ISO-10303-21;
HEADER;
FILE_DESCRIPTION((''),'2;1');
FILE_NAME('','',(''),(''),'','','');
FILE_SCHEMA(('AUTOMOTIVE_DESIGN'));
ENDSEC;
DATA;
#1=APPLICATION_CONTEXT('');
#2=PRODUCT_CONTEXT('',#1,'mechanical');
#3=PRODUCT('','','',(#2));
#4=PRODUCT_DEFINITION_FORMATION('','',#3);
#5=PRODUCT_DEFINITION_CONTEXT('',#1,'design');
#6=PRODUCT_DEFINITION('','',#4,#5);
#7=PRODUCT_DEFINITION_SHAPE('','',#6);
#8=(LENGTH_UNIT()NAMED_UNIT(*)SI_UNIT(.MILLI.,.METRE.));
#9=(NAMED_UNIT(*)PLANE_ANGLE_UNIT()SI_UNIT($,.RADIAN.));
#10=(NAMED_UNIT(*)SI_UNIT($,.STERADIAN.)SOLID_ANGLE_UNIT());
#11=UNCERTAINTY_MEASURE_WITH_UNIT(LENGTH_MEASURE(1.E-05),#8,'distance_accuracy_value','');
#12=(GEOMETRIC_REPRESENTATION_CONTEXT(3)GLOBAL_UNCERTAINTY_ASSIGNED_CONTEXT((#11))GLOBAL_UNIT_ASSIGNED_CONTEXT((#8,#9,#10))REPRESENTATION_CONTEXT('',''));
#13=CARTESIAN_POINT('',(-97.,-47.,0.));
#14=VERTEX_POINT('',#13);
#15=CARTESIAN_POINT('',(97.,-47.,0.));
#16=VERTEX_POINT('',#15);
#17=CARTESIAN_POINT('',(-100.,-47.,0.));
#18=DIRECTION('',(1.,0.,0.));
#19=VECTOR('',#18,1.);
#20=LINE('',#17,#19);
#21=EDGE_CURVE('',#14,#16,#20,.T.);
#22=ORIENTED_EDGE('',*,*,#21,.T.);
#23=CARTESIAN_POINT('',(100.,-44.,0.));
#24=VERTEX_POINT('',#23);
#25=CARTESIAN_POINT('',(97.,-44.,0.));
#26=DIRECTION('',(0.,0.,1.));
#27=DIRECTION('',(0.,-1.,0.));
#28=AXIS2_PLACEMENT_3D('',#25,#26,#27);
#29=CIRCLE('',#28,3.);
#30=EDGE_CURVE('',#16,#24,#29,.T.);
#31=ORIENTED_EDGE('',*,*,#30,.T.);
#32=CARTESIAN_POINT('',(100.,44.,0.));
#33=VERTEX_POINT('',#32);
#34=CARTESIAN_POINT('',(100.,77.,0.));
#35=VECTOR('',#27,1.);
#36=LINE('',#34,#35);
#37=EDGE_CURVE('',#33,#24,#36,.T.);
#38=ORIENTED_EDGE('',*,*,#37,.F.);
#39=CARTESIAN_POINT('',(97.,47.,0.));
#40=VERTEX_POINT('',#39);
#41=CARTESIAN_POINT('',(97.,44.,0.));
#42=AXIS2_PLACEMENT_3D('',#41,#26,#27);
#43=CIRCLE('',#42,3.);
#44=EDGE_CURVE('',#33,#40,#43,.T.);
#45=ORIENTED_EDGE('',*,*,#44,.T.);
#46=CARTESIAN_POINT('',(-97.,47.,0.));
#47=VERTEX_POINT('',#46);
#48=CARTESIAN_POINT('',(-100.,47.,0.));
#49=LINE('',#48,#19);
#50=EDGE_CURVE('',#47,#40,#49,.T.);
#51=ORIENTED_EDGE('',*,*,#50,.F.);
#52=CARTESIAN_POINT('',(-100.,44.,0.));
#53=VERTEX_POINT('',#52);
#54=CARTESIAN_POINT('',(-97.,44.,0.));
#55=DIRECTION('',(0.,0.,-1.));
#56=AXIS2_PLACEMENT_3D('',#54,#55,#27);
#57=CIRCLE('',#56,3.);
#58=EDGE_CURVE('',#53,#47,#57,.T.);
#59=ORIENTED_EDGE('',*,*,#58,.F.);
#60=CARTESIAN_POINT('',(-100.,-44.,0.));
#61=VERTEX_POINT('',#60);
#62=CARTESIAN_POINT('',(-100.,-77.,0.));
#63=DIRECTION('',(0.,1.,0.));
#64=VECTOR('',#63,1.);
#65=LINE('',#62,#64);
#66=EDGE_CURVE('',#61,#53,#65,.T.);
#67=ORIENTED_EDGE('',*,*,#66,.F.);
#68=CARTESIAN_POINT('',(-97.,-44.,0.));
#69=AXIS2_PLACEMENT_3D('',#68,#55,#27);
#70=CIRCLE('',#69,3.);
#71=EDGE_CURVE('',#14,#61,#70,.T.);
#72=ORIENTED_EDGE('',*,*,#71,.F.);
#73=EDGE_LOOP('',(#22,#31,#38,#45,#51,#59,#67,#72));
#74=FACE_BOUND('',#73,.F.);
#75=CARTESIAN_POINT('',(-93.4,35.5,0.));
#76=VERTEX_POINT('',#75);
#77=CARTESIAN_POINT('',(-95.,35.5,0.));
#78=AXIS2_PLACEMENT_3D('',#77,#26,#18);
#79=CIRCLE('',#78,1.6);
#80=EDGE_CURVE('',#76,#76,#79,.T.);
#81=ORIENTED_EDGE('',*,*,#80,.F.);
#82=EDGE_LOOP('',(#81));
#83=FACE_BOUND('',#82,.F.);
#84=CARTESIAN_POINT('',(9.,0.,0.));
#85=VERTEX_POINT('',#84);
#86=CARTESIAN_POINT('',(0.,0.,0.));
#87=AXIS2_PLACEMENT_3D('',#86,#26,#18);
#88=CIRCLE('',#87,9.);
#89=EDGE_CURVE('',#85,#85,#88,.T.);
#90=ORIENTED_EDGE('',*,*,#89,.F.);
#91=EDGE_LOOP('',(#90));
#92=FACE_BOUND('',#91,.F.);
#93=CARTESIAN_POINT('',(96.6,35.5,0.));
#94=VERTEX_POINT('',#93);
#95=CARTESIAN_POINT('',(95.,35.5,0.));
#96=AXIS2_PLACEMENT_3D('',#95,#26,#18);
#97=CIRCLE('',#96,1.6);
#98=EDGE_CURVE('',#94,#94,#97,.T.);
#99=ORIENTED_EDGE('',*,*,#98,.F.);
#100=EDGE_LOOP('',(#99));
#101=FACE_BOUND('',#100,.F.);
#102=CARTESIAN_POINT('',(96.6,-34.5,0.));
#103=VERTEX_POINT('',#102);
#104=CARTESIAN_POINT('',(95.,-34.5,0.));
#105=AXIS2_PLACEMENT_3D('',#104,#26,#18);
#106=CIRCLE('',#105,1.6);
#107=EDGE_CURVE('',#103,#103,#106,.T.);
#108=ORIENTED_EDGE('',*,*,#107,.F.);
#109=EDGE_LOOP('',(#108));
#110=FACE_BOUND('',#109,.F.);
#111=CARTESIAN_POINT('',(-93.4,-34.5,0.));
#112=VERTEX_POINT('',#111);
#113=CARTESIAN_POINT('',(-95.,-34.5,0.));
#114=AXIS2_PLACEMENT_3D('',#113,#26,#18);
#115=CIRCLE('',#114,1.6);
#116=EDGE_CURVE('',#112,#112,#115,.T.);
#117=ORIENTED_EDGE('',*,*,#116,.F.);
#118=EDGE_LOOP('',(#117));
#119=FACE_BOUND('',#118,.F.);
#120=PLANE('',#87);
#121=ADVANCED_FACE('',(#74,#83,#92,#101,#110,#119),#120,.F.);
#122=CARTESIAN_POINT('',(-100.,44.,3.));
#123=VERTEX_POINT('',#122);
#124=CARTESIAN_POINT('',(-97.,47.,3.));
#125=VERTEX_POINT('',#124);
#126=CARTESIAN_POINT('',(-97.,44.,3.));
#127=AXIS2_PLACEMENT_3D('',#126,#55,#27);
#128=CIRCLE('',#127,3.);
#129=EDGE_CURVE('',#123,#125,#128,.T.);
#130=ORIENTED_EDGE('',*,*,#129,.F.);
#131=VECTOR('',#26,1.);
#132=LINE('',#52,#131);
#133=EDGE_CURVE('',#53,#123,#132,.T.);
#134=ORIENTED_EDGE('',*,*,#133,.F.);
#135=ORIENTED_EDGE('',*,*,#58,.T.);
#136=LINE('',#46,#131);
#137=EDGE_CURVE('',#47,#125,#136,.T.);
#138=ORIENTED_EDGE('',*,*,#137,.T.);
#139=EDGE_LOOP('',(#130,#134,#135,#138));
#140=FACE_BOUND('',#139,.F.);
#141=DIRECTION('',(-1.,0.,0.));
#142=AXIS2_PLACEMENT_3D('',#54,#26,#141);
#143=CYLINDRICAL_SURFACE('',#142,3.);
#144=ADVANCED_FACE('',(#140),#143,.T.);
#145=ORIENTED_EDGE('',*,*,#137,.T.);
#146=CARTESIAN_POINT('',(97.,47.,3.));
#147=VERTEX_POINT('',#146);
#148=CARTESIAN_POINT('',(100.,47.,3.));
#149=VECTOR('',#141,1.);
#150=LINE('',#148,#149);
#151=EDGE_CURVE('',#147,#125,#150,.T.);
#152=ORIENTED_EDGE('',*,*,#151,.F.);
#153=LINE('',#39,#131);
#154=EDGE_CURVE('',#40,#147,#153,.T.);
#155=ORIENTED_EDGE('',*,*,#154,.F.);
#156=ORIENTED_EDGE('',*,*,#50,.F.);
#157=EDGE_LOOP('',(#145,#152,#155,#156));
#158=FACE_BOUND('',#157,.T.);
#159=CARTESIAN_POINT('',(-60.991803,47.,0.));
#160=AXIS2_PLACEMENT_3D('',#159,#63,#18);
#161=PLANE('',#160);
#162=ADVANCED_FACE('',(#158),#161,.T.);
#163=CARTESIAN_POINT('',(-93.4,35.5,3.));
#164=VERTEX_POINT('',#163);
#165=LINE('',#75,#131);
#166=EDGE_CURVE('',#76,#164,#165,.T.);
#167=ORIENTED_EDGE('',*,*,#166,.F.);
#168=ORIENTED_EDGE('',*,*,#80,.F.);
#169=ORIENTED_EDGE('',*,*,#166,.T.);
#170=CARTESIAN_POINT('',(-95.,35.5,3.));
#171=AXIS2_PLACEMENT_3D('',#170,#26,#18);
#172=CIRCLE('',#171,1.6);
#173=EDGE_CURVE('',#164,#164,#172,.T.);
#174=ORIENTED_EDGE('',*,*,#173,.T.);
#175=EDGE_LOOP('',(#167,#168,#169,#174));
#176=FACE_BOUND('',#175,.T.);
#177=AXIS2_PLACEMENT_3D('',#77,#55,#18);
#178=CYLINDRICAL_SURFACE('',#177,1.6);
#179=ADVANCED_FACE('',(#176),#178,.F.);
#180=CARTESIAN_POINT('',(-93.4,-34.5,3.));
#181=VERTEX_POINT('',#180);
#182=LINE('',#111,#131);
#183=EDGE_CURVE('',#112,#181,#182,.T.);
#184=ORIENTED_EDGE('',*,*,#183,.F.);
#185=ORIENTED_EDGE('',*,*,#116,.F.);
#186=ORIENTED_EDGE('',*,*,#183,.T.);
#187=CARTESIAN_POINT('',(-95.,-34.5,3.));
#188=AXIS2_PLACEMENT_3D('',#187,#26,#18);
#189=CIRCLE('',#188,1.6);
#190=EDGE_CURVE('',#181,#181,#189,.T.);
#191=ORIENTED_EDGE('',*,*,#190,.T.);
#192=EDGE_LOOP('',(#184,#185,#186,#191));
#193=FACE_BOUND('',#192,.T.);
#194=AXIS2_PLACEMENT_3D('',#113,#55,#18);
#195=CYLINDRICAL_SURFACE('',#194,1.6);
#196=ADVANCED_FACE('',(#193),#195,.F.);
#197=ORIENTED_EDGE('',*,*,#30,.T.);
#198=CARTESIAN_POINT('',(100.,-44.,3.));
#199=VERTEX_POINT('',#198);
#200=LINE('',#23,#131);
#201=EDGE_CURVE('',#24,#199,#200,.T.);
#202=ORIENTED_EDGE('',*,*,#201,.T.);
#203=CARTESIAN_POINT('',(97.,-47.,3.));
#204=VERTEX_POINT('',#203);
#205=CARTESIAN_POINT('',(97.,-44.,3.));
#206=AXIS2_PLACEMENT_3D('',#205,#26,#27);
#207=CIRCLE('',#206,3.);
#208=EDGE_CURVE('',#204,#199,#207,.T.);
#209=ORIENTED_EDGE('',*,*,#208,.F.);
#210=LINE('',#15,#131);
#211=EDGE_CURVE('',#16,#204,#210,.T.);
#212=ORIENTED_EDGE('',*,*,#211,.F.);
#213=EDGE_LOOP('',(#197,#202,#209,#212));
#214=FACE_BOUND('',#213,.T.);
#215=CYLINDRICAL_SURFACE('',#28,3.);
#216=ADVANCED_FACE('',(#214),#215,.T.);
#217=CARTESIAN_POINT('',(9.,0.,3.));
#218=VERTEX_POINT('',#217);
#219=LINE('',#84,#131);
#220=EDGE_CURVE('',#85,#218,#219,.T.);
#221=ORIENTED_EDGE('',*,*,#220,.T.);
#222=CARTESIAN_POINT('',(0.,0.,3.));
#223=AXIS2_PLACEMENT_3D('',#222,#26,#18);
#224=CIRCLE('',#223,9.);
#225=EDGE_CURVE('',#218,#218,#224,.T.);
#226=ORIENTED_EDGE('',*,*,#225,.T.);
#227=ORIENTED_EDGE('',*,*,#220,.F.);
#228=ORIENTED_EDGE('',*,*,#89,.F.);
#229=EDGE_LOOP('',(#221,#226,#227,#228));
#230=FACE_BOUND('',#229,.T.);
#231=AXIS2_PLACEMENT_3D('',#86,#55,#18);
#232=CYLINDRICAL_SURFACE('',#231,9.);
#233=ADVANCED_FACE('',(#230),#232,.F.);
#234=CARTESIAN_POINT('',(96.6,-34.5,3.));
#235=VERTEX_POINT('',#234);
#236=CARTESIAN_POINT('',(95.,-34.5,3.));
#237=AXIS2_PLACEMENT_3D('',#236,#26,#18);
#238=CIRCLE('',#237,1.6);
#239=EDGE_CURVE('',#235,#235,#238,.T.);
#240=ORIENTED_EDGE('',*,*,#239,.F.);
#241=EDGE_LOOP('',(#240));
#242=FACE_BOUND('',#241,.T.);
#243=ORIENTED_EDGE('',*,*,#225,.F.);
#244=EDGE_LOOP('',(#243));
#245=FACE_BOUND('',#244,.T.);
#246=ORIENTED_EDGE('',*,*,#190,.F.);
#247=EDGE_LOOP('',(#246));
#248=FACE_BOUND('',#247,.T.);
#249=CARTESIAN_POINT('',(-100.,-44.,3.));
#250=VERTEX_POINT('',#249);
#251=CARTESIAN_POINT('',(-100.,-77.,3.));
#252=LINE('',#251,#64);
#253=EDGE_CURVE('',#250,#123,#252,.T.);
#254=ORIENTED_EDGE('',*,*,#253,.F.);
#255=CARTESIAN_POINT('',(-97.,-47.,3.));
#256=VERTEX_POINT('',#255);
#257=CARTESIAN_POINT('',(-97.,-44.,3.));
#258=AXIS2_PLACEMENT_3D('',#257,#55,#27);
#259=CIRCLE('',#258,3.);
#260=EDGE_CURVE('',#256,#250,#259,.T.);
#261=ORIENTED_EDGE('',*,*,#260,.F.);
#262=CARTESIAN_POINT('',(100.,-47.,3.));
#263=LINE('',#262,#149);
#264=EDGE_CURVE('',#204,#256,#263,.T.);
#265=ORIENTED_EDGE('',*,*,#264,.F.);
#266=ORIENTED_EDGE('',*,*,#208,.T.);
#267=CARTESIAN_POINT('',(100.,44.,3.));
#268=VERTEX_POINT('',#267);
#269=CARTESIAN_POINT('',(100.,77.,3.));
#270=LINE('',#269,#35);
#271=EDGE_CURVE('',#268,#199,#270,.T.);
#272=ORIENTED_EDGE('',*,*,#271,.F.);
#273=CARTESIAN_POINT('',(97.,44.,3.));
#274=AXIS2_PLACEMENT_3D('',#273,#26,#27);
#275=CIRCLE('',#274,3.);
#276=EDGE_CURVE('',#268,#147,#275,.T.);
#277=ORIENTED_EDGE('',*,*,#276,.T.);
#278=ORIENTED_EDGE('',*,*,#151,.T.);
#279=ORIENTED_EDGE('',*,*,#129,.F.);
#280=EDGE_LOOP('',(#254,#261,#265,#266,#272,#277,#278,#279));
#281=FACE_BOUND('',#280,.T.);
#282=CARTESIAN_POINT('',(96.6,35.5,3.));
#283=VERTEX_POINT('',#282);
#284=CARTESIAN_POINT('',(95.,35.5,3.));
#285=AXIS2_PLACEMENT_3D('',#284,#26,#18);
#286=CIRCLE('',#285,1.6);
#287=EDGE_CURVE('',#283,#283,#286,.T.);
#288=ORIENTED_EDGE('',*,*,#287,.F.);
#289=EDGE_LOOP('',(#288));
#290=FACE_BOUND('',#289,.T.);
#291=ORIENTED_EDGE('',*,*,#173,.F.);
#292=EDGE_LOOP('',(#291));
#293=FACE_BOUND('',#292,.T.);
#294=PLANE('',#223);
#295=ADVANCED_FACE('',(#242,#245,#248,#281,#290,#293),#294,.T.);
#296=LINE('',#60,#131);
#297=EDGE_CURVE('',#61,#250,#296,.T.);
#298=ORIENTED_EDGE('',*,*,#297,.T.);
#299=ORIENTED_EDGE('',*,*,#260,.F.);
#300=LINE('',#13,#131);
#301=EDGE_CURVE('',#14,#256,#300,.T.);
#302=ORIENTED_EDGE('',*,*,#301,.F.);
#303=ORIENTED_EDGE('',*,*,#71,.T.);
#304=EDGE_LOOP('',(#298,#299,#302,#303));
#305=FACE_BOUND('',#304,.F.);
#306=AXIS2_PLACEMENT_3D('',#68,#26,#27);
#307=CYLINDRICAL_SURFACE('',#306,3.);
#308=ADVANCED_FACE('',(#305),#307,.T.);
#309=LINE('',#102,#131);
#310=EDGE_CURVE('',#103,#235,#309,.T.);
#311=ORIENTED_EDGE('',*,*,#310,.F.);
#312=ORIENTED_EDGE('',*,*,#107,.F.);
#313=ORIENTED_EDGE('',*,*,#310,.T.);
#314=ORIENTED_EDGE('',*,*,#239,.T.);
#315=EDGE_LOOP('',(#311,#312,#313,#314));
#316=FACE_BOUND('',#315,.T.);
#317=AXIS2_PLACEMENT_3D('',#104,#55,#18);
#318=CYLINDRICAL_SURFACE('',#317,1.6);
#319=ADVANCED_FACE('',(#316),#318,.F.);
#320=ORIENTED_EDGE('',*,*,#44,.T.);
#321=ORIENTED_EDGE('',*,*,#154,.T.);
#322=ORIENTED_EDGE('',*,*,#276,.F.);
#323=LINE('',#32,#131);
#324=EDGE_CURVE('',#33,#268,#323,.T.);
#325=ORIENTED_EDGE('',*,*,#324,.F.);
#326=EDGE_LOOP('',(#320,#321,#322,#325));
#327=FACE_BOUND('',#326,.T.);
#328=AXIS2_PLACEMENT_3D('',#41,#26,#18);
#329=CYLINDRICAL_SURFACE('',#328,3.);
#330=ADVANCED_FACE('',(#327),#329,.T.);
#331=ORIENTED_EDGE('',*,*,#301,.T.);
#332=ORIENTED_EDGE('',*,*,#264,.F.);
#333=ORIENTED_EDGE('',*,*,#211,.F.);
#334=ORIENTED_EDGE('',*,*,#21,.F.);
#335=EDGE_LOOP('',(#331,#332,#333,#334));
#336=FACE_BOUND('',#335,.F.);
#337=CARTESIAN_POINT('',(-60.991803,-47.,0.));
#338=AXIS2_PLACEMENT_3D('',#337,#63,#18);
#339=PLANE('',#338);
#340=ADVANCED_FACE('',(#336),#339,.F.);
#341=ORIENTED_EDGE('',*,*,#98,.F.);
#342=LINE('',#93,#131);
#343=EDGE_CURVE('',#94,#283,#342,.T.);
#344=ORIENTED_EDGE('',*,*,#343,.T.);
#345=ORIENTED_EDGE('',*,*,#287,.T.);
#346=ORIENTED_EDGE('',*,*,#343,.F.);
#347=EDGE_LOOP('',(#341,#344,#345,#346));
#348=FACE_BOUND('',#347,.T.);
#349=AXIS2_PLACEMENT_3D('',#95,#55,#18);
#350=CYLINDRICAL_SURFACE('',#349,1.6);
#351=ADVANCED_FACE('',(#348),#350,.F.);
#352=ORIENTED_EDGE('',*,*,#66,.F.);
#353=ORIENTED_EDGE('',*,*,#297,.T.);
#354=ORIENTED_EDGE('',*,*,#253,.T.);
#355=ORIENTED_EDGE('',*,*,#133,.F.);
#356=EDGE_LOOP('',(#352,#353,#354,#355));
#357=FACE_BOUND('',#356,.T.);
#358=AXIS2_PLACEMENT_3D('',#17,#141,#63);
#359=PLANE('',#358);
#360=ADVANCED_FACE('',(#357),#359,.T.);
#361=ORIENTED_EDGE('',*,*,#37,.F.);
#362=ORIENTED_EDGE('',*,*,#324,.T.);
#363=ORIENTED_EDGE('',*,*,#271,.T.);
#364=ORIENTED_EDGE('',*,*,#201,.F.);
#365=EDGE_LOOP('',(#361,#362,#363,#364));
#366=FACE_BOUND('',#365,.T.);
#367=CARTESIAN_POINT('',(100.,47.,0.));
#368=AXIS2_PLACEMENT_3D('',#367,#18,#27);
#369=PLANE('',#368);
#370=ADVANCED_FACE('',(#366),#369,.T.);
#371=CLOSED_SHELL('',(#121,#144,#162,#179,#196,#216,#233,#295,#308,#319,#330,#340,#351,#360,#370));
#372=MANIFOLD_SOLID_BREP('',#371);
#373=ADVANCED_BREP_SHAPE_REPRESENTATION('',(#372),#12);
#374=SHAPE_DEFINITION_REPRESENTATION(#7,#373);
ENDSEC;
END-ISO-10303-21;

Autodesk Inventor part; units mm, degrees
ref_plane "YZ Plane" through (0, 0, 0) normal (1, 0, 0) x (0, 1, 0)
ref_plane "XZ Plane" through (0, 0, 0) normal (0, 1, 0) x (-1, 0, 0)
ref_plane "XY Plane" through (0, 0, 0) normal (0, 0, 1) x (1, 0, 0)
sketch "スケッチ1" plane through (0, 0, 0) normal (0, 0, 1) x (1, 0, 0)
  circle A0 centre (0, 0) radius 9
  circle A1 centre (0, 0) radius 77
  line L0 (100, -77) -> (-100, -77)
  line L1 (-100, -77) -> (-100, 77)
  line L2 (-100, 77) -> (100, 77)
  line L3 (100, 77) -> (100, -77)
  line L4 (100, -77) -> (-100, 77) construction
  line L5 (-100, -77) -> (100, 77) construction
  line L6 (-100, 47) -> (100, 47)
  circle A2 centre (-95, -34.5) radius 1.6
  circle A3 centre (-95, 35.5) radius 1.6
  circle A4 centre (95, 35.5) radius 1.6
  circle A5 centre (95, -34.5) radius 1.6
  line L7 (-100, -47) -> (100, -47)
  dimension "d0" = 18
  dimension "d1" = 154
  dimension "d2" = 200
  dimension "d3" = 30
  dimension "d4" = 3.2
  dimension "d5" = 3.2
  dimension "d6" = 3.2
  dimension "d7" = 3.2
  dimension "d9" = 5
  dimension "d11" = 5
  dimension "d12" = 70
  dimension "d13" = 5
  dimension "d15" = 5
  dimension "d16" = 70
  dimension "d19" = 11.5
  dimension "d20" = 11.5
  dimension "d21" = 30
extrude "押し出し1" add sketch "スケッチ1" along normal blind 3 contours A1 L7 L6 | A1 L6 L3 L7 | A1 L7 L1 L6
fillet "フィレット1" radius 3 4 edges at (100, 47, 1.5) (100, -47, 1.5) (-100, -47, 1.5) (-100, 47, 1.5)
sketch "スケッチ2" plane through (0, 0, 3) normal (0, 0, 1) x (1, 0, 0)
  arc A0 (-97, 47) -> (-100, 44) centre (-97, 44) ccw projected
  line L0 (-100, 44) -> (-100, -44) projected
  arc A1 (-100, -44) -> (-97, -47) centre (-97, -44) ccw projected
  line L1 (-97, -47) -> (97, -47) projected
  arc A2 (97, -47) -> (100, -44) centre (97, -44) ccw projected
  line L2 (100, -44) -> (100, 44) projected
  arc A3 (100, 44) -> (97, 47) centre (97, 44) ccw projected
  line L3 (97, 47) -> (-97, 47) projected
  circle A4 centre (-95, -34.5) radius 1.6 projected
  circle A5 centre (-95, 35.5) radius 1.6 projected
  circle A6 centre (0, 0) radius 9 projected
  circle A7 centre (95, -34.5) radius 1.6 projected
  circle A8 centre (95, 35.5) radius 1.6 projected
equation "\"d16\" = d12"
equation "\"d20\" = d19"
equation "\"d21\" = d3"
properties part number "drible_plate"
